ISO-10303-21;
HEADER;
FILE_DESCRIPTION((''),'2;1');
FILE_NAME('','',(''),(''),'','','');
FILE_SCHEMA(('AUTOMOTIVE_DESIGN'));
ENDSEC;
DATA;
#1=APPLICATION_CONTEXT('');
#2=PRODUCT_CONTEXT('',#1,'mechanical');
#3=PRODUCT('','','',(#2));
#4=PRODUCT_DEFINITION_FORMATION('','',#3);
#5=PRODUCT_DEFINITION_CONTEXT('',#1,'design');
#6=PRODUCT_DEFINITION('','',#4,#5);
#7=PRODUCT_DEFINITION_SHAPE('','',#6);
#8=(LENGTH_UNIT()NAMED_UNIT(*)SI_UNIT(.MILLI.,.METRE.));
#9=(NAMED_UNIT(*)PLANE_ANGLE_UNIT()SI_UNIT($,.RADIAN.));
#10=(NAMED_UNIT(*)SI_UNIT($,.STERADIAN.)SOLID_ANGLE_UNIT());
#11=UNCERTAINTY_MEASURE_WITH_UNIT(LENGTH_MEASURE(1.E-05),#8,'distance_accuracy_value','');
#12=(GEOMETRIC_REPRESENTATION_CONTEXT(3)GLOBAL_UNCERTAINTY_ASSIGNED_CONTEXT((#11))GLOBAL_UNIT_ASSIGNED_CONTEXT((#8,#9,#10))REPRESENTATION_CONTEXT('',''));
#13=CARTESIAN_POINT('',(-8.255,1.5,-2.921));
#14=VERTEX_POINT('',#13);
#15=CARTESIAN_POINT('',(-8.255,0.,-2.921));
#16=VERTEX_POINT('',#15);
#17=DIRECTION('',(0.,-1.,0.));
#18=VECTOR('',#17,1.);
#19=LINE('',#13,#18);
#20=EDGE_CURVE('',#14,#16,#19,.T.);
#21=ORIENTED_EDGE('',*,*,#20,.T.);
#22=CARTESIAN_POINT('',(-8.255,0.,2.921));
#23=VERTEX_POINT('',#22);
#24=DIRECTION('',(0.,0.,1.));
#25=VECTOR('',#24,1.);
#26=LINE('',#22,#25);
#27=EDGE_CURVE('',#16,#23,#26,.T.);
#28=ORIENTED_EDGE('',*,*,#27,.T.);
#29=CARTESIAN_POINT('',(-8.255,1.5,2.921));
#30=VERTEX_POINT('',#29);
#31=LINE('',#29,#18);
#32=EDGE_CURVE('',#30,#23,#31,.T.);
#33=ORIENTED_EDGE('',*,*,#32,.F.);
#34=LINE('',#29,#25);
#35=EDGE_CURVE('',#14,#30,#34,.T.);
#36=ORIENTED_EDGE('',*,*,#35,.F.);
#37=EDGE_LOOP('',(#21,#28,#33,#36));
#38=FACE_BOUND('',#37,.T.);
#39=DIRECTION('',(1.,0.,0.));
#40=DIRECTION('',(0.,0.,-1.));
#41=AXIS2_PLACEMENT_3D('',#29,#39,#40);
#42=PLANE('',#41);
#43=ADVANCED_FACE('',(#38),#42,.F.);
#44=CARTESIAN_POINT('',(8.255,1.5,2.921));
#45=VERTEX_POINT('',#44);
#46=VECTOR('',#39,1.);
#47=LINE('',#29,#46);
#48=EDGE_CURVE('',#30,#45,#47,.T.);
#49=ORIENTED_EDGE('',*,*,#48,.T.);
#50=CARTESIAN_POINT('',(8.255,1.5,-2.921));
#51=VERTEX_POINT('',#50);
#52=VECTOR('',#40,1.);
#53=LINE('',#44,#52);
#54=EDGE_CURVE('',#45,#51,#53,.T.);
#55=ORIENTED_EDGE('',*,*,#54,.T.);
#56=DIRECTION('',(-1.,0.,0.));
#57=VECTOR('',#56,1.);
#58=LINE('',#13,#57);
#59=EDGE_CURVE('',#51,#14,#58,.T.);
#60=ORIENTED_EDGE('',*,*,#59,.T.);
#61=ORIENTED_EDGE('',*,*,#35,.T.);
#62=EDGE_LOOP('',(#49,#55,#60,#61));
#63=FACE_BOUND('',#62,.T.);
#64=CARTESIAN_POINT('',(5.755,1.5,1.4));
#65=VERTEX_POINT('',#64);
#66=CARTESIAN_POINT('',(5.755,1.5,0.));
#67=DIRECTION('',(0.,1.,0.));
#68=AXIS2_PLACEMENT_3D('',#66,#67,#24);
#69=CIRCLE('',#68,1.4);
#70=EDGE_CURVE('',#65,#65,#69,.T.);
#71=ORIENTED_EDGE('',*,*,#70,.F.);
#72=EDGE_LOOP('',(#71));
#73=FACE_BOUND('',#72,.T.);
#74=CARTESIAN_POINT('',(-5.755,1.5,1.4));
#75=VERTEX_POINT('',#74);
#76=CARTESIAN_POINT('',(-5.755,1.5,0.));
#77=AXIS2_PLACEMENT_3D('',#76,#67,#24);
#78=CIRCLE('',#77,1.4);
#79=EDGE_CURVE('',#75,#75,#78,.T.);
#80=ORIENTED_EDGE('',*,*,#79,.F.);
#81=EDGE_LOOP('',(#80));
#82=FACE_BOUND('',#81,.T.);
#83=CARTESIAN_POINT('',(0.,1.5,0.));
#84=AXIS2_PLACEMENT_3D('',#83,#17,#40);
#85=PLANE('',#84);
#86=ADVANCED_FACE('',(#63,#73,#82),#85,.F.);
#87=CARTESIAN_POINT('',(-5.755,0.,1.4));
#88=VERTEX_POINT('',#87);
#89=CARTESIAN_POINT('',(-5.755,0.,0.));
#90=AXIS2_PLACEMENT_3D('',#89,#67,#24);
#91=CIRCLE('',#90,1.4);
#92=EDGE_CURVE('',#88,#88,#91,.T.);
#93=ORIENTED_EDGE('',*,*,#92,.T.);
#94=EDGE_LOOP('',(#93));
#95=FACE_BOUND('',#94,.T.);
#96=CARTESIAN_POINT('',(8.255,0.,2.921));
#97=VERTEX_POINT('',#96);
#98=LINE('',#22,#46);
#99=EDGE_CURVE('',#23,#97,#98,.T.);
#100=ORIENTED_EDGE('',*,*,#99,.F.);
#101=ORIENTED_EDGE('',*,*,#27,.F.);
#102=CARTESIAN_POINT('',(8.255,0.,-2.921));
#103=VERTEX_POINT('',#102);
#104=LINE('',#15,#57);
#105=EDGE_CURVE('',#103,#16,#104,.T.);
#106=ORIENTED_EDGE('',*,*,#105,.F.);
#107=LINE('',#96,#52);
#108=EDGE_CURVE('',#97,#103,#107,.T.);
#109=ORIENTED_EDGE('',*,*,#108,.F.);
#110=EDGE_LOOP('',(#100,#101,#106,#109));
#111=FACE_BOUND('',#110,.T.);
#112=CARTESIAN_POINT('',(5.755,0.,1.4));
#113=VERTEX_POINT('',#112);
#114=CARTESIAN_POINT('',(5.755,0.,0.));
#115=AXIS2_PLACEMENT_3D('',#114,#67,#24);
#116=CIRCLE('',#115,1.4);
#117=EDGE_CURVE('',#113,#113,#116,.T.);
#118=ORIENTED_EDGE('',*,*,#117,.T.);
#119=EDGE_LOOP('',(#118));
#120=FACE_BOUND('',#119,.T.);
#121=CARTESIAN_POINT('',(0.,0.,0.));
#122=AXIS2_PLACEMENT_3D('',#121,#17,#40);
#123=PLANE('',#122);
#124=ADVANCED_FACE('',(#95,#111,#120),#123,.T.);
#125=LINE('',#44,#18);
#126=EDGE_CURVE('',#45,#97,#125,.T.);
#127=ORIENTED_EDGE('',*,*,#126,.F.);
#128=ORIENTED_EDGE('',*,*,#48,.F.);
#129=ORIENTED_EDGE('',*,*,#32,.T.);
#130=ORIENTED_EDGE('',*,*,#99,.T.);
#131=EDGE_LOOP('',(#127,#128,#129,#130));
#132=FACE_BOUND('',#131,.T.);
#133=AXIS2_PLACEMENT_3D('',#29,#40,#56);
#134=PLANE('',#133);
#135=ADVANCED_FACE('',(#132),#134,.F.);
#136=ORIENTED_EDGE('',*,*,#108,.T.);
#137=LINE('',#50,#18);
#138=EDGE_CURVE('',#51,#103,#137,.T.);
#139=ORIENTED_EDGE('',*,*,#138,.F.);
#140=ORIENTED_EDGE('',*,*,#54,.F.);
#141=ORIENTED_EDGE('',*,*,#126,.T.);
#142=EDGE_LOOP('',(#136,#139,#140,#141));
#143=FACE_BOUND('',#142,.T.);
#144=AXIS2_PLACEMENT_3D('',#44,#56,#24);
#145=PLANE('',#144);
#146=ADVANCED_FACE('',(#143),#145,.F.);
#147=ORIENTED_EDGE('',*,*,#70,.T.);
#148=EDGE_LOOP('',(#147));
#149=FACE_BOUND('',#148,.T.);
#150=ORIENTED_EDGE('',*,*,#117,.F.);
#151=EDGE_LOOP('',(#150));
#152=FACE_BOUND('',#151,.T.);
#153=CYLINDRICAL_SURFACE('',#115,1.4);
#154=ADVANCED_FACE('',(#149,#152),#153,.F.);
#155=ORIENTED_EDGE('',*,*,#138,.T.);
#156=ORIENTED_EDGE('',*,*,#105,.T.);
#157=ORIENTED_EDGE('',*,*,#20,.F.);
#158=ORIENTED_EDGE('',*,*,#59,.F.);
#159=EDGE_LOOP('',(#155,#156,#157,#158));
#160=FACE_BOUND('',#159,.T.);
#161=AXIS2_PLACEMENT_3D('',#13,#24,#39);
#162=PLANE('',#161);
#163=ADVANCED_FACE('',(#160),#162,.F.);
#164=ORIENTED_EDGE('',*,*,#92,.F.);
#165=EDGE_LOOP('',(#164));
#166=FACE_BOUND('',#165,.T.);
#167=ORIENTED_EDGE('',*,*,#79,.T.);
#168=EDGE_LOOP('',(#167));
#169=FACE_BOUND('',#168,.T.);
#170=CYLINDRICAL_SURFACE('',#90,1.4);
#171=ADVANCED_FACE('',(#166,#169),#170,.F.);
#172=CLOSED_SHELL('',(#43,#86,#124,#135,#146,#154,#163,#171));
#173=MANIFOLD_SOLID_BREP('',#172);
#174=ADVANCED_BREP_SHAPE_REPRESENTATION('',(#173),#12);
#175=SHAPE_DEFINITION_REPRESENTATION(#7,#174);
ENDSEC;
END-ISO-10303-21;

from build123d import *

# Parameters (mm, degrees)
SKETCH1_W           = 16.51
SKETCH1_H           = 5.842
BOSS_EXTRUDE1_DEPTH = 1.5
SKETCH2_R           = 1.4
CUT_EXTRUDE1_DEPTH  = 1.5


with BuildPart() as part:
    # Sketch1 → Boss-Extrude1 (new body)
    with BuildSketch(Plane(origin=(0, 0, 0), x_dir=(1, 0, 0), z_dir=(0, 1, 0))):
        Rectangle(SKETCH1_W, SKETCH1_H)
    extrude(amount=BOSS_EXTRUDE1_DEPTH)

    # Sketch2 → Cut-Extrude1 (cut)
    with BuildSketch(Plane(origin=(0, 1.5, 0), x_dir=(1, 0, 0), z_dir=(0, 1, 0))):
        with Locations(Location((-5.755, 0, 0), (0, 0, 270))):
            Circle(SKETCH2_R)
        with Locations(Location((5.755, 0, 0), (0, 0, 270))):
            Circle(SKETCH2_R)
    extrude(amount=-CUT_EXTRUDE1_DEPTH, mode=Mode.SUBTRACT)


solid = part.part
